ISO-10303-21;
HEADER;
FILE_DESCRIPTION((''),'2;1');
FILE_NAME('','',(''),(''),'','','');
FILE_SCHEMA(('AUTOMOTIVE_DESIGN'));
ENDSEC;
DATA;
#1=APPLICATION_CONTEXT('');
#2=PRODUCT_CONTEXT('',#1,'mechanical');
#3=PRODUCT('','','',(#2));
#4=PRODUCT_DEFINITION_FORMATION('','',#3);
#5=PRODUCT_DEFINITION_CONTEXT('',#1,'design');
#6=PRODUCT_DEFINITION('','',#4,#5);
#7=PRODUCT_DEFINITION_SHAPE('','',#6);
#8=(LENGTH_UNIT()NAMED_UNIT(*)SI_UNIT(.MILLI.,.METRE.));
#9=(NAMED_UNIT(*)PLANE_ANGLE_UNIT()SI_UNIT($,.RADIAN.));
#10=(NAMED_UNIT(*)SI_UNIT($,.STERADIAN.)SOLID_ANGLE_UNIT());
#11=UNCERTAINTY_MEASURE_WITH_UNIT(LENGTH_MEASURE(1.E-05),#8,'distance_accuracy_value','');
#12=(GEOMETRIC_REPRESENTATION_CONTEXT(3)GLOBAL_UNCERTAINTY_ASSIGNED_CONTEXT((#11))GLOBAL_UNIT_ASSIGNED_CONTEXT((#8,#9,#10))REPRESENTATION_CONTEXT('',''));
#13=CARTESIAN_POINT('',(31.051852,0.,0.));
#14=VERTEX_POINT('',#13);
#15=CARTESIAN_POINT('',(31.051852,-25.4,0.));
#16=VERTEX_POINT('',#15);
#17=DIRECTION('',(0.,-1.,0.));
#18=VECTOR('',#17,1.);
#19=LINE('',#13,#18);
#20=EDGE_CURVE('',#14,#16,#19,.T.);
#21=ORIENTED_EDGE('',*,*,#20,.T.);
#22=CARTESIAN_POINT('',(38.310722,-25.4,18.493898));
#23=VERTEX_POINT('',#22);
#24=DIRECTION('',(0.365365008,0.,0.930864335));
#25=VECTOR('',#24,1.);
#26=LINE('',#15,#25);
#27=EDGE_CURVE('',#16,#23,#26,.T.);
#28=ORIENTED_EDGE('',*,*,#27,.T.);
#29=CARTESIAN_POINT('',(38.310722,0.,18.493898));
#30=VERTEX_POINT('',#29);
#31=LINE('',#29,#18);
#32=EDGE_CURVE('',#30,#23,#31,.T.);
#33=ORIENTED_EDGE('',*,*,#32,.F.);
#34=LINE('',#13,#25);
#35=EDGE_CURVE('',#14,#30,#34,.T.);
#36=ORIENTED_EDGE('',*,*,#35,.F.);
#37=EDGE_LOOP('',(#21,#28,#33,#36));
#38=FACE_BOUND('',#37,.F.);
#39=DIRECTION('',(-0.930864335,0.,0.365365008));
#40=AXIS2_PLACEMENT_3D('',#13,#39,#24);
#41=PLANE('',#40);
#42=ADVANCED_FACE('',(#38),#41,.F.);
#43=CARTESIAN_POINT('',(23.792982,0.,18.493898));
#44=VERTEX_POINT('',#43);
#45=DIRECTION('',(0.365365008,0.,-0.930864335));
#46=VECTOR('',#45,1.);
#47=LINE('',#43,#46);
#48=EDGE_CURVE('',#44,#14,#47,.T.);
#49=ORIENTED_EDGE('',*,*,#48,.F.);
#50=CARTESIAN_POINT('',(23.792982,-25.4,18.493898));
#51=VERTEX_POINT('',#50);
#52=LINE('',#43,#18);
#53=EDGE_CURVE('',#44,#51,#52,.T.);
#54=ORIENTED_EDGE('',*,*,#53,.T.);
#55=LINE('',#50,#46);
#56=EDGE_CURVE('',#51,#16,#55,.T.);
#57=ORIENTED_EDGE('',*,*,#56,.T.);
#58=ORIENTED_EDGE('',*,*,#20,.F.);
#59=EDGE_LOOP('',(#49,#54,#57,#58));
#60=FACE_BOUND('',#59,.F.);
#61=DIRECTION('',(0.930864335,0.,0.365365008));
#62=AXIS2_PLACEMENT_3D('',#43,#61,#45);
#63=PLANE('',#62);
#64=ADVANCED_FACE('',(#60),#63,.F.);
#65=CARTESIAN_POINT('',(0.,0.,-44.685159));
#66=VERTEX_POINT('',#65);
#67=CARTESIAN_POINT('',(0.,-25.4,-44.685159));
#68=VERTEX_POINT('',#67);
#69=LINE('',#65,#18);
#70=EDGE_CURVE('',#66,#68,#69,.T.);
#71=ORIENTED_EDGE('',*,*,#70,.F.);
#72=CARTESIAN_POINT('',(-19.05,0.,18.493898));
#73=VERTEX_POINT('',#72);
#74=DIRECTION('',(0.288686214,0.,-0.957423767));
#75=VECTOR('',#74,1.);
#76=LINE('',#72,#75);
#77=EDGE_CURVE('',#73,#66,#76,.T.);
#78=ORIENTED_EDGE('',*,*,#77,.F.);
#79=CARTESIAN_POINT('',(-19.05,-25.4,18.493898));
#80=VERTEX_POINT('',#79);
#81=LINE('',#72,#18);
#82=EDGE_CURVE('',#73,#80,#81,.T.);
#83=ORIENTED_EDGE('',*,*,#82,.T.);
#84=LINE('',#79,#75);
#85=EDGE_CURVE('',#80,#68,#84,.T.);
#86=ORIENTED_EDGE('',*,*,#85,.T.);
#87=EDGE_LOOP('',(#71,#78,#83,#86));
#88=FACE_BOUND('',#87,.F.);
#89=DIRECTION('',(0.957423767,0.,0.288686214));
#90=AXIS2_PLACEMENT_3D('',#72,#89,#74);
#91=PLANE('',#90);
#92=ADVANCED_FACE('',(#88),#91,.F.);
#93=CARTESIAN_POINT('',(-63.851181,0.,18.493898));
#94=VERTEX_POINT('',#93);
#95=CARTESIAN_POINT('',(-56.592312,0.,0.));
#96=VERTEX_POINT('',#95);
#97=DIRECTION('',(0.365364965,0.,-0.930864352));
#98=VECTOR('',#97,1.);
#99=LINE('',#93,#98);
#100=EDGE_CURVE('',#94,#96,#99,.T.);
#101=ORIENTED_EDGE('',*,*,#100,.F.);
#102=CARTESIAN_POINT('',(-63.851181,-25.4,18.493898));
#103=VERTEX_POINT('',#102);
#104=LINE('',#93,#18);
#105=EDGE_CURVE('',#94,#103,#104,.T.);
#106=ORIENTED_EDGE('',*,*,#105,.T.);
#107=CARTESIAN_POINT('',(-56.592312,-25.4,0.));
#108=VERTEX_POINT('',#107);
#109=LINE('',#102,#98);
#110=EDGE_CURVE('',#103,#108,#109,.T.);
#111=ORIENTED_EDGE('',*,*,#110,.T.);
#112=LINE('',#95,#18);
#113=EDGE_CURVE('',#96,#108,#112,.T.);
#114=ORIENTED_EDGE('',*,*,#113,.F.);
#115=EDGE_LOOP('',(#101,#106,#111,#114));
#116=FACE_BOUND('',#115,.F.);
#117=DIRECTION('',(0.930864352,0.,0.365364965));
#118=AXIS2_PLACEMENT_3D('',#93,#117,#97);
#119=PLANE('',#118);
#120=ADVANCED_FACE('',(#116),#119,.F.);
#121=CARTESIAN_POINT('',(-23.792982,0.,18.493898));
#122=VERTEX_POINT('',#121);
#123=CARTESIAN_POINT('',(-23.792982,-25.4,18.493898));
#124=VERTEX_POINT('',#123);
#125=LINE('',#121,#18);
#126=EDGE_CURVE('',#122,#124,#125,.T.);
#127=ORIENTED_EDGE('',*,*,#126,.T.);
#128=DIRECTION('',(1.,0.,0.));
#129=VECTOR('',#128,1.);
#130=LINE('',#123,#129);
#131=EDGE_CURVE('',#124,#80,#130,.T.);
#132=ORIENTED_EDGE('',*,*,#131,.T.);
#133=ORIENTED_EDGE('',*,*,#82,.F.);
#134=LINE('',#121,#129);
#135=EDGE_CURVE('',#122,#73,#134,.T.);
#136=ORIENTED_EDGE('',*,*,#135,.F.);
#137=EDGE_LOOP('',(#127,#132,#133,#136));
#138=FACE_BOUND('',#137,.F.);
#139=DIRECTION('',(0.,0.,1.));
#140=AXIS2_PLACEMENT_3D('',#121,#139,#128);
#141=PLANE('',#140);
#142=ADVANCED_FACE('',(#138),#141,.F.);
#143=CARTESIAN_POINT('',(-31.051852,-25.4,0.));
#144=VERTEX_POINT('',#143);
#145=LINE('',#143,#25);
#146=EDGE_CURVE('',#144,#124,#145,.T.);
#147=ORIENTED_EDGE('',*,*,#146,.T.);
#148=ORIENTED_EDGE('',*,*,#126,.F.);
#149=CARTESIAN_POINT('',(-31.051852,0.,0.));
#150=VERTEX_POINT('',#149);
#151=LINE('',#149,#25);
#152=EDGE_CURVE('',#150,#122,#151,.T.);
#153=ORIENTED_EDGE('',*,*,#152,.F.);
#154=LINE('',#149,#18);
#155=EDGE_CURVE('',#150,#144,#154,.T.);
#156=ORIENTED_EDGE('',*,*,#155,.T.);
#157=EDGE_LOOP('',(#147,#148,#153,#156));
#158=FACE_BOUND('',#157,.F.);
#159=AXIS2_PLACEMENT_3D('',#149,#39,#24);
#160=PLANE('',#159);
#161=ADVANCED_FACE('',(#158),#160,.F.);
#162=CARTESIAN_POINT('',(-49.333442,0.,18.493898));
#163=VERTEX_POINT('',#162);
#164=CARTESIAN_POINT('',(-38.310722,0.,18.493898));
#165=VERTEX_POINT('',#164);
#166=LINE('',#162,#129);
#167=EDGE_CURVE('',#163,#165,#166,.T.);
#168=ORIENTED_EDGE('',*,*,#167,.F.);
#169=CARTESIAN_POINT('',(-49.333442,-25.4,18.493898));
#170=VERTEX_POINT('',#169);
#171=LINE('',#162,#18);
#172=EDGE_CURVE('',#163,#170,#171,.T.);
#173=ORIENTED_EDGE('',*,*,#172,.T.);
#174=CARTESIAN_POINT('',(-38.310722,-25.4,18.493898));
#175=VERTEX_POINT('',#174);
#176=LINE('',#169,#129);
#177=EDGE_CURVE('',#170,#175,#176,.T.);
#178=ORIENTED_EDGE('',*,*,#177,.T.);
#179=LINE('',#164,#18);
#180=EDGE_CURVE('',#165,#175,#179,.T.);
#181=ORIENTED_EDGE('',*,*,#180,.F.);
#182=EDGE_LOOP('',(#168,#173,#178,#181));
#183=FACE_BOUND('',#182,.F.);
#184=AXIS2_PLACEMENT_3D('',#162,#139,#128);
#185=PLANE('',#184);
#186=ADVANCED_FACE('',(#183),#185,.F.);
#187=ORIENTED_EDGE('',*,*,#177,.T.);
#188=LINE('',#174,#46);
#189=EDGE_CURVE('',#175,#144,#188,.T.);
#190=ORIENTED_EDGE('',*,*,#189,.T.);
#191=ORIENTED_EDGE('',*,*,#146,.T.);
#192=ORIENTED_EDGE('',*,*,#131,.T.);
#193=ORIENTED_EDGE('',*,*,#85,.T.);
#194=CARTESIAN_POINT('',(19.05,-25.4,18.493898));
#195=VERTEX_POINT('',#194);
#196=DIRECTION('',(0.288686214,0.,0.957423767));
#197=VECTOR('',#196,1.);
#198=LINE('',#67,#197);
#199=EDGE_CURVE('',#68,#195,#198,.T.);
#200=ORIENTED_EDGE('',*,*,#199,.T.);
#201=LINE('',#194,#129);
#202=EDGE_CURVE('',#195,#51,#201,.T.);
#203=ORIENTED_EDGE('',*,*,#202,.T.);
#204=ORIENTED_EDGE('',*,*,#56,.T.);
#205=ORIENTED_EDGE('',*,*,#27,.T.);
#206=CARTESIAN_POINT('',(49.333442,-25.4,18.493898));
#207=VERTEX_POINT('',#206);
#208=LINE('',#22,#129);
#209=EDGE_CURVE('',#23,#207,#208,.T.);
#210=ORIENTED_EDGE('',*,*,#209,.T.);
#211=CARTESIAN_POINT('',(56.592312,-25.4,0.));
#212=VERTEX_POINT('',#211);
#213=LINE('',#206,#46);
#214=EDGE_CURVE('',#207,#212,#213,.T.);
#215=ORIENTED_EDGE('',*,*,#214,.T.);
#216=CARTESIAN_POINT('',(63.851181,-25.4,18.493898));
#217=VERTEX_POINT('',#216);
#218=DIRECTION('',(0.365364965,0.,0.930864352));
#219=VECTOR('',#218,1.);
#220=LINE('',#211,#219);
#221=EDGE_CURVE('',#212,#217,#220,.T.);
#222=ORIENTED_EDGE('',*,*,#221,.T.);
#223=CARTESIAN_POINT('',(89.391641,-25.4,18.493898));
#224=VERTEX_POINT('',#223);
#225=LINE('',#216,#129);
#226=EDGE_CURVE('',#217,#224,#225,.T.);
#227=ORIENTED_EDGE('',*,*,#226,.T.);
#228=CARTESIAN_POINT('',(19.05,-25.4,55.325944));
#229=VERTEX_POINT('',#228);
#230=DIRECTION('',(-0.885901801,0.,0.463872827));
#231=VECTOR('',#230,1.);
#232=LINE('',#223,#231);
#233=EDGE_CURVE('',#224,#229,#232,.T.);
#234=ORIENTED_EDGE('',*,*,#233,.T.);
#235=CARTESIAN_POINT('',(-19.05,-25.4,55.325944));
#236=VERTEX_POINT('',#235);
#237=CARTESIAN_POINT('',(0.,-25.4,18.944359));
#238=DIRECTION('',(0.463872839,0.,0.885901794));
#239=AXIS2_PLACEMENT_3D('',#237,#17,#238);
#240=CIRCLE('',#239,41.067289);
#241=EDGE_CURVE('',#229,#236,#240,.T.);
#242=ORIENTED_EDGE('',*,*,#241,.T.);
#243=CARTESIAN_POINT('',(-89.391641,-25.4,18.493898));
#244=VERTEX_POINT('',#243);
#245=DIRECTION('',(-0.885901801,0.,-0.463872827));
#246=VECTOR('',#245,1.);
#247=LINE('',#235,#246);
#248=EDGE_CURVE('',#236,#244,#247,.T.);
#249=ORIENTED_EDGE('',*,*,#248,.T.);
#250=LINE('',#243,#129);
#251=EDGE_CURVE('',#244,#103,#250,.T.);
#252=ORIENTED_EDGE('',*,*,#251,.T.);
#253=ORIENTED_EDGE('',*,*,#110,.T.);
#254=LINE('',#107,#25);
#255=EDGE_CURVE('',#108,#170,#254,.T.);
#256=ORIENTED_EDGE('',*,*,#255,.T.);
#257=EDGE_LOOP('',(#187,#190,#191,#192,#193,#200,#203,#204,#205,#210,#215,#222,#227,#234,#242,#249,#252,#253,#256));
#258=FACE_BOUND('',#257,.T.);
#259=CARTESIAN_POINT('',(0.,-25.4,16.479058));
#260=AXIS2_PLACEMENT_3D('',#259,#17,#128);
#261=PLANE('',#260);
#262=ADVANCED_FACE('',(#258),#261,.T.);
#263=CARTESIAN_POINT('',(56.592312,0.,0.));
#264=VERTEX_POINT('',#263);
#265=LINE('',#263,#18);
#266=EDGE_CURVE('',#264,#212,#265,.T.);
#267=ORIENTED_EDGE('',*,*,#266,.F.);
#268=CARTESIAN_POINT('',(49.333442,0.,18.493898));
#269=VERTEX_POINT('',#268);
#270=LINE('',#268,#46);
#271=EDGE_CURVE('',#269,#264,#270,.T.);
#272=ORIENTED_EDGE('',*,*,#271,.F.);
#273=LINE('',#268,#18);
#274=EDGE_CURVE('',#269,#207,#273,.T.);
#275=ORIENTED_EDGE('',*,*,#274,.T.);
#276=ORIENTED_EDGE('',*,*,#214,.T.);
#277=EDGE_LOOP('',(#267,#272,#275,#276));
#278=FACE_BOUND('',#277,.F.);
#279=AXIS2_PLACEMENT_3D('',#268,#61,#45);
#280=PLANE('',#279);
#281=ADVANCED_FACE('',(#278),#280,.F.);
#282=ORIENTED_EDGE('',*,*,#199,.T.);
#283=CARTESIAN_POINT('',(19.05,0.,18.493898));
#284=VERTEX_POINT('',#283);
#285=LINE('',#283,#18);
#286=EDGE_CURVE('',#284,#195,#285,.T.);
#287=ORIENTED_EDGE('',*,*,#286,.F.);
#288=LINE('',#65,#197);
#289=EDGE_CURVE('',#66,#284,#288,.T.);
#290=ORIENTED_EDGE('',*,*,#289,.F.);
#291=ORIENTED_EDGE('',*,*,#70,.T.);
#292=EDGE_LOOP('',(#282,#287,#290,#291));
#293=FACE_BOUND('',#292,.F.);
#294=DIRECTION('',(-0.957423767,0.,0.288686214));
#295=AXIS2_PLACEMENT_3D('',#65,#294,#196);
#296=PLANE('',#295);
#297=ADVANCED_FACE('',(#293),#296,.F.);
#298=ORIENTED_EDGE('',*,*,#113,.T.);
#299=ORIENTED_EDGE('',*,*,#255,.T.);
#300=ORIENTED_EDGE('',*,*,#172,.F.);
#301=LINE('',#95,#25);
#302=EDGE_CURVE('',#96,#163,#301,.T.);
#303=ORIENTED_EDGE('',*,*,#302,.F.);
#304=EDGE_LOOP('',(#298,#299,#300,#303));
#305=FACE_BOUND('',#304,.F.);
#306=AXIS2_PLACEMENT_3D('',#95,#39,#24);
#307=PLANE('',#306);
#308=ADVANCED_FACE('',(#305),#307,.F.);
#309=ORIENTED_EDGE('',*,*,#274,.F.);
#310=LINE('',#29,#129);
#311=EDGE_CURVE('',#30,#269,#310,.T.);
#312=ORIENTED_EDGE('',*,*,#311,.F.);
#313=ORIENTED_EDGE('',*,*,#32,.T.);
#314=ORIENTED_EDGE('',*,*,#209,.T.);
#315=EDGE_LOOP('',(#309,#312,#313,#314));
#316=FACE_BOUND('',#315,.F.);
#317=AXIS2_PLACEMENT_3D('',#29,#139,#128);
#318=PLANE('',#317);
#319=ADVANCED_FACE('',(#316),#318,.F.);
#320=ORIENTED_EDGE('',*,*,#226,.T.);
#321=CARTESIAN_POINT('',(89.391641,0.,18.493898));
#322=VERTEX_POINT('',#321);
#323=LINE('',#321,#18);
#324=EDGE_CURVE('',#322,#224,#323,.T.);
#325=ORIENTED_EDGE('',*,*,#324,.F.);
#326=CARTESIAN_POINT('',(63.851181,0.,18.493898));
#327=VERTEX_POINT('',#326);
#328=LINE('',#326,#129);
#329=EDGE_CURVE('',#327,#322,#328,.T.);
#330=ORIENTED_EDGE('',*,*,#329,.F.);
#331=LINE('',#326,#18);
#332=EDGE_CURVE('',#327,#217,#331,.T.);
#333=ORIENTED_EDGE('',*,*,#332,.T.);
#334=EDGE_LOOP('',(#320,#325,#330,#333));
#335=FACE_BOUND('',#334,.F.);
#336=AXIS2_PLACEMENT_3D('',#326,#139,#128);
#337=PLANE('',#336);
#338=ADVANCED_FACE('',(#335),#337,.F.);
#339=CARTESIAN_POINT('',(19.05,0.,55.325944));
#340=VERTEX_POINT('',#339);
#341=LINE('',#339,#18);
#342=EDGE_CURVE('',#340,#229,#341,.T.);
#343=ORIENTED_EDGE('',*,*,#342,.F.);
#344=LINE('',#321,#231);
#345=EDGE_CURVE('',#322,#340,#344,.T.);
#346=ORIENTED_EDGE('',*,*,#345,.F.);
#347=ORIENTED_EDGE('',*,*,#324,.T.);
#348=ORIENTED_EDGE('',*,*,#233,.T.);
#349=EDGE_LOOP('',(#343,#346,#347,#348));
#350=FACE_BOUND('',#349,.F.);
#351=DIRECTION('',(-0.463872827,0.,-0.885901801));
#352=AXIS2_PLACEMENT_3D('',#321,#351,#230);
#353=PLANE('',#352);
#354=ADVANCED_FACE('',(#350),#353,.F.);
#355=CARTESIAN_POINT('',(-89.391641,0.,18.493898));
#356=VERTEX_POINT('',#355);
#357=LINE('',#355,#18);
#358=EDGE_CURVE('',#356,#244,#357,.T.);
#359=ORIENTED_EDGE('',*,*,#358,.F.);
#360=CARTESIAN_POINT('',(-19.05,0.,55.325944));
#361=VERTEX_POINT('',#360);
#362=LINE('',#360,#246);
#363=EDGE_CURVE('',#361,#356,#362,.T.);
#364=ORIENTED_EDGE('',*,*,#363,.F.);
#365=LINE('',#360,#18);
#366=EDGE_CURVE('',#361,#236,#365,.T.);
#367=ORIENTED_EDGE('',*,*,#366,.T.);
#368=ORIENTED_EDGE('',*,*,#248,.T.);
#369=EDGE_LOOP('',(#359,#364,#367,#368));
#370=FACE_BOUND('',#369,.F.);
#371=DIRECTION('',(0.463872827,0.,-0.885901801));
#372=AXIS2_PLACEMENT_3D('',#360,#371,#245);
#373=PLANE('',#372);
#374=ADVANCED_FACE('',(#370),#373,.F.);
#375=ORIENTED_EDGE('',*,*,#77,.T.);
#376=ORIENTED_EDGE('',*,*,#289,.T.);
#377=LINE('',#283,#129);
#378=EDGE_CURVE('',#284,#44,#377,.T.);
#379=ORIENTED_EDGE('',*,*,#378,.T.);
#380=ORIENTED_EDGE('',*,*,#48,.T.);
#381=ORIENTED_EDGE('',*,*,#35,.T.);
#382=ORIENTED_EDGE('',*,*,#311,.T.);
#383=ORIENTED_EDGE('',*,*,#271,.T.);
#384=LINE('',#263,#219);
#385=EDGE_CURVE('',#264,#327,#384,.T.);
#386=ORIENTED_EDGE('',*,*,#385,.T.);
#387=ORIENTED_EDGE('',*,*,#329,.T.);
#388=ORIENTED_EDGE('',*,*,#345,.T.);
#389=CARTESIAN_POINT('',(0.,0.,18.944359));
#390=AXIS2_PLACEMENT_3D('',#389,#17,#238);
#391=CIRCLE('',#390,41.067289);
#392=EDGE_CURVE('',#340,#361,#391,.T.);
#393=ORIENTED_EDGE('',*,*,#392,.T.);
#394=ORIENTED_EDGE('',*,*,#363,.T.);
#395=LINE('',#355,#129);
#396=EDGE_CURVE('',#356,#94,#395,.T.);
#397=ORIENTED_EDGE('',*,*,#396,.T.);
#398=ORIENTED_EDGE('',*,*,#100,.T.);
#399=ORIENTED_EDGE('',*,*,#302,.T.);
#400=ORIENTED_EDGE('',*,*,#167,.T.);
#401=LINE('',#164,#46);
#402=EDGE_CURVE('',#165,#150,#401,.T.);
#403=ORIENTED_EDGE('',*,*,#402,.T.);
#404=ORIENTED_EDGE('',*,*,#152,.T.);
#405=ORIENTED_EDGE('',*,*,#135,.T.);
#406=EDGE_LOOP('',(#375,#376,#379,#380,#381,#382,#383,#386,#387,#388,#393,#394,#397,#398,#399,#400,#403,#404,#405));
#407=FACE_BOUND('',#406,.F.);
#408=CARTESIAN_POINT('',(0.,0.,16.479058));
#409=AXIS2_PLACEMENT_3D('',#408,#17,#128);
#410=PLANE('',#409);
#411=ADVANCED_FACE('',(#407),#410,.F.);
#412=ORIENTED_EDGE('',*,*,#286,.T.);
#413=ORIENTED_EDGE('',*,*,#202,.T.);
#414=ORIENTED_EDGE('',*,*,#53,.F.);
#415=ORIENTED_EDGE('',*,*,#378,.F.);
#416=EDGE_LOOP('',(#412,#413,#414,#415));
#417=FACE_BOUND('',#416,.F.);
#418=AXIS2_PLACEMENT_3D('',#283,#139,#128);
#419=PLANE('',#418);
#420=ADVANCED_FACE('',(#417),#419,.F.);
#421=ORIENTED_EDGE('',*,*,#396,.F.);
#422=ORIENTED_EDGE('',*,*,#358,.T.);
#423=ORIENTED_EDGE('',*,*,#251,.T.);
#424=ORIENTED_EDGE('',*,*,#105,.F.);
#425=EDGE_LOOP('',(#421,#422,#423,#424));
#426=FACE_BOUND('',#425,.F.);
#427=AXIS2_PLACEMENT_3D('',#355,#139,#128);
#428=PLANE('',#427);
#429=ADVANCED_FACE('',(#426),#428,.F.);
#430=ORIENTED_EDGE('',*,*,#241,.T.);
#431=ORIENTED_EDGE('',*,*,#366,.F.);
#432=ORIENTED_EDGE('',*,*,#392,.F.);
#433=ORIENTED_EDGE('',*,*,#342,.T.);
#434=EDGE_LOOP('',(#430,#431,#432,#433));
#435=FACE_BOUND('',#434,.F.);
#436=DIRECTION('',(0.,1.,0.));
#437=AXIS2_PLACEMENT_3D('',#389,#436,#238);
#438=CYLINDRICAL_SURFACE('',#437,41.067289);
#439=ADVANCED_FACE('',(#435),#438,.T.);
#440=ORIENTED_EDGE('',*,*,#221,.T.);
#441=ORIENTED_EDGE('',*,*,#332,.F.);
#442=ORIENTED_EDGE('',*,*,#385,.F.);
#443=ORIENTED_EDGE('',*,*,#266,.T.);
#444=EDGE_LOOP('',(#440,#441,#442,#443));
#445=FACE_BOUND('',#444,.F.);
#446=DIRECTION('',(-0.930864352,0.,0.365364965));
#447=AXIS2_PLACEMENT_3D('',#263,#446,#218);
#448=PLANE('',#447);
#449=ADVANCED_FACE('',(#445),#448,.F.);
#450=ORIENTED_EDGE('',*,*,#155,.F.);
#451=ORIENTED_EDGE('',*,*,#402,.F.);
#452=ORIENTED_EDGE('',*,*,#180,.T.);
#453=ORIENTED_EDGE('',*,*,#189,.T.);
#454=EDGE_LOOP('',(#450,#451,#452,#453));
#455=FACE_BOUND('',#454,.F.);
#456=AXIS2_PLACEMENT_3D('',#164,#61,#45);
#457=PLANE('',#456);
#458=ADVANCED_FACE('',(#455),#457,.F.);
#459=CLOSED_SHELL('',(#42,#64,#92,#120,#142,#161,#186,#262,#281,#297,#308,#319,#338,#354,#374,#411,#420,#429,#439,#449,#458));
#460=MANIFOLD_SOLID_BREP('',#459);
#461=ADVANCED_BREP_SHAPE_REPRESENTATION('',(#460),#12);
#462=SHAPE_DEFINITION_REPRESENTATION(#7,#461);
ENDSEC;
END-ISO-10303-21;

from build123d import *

# Parameters (mm, degrees)
F1_DEPTH = 25.4


with BuildPart() as f1:
    # F0 (on Front) → F1 (new body)
    with BuildSketch(Plane.XZ):
        with BuildLine():
            Line((0, -44.685159), (19.05, 18.493898))
            Line((19.05, 18.493898), (23.792982, 18.493898))
            Line((23.792982, 18.493898), (31.051852, 0))
            Line((31.051852, 0), (38.310722, 18.493898))
            Line((38.310722, 18.493898), (49.333442, 18.493898))
            Line((49.333442, 18.493898), (56.592312, 0))
            Line((56.592312, 0), (63.851181, 18.493898))
            Line((63.851181, 18.493898), (89.391641, 18.493898))
            Line((89.391641, 18.493898), (19.05, 55.325944))
            ThreePointArc((19.05, 55.325944), (0, 60.011648), (-19.05, 55.325944))
            Line((-19.05, 55.325944), (-89.391641, 18.493898))
            Line((-89.391641, 18.493898), (-63.851181, 18.493898))
            Line((-63.851181, 18.493898), (-56.592312, 0))
            Line((-56.592312, 0), (-49.333442, 18.493898))
            Line((-49.333442, 18.493898), (-38.310722, 18.493898))
            Line((-38.310722, 18.493898), (-31.051852, 0))
            Line((-31.051852, 0), (-23.792982, 18.493898))
            Line((-23.792982, 18.493898), (-19.05, 18.493898))
            Line((-19.05, 18.493898), (0, -44.685159))
        make_face()
    extrude(amount=F1_DEPTH)


solid = f1.part
